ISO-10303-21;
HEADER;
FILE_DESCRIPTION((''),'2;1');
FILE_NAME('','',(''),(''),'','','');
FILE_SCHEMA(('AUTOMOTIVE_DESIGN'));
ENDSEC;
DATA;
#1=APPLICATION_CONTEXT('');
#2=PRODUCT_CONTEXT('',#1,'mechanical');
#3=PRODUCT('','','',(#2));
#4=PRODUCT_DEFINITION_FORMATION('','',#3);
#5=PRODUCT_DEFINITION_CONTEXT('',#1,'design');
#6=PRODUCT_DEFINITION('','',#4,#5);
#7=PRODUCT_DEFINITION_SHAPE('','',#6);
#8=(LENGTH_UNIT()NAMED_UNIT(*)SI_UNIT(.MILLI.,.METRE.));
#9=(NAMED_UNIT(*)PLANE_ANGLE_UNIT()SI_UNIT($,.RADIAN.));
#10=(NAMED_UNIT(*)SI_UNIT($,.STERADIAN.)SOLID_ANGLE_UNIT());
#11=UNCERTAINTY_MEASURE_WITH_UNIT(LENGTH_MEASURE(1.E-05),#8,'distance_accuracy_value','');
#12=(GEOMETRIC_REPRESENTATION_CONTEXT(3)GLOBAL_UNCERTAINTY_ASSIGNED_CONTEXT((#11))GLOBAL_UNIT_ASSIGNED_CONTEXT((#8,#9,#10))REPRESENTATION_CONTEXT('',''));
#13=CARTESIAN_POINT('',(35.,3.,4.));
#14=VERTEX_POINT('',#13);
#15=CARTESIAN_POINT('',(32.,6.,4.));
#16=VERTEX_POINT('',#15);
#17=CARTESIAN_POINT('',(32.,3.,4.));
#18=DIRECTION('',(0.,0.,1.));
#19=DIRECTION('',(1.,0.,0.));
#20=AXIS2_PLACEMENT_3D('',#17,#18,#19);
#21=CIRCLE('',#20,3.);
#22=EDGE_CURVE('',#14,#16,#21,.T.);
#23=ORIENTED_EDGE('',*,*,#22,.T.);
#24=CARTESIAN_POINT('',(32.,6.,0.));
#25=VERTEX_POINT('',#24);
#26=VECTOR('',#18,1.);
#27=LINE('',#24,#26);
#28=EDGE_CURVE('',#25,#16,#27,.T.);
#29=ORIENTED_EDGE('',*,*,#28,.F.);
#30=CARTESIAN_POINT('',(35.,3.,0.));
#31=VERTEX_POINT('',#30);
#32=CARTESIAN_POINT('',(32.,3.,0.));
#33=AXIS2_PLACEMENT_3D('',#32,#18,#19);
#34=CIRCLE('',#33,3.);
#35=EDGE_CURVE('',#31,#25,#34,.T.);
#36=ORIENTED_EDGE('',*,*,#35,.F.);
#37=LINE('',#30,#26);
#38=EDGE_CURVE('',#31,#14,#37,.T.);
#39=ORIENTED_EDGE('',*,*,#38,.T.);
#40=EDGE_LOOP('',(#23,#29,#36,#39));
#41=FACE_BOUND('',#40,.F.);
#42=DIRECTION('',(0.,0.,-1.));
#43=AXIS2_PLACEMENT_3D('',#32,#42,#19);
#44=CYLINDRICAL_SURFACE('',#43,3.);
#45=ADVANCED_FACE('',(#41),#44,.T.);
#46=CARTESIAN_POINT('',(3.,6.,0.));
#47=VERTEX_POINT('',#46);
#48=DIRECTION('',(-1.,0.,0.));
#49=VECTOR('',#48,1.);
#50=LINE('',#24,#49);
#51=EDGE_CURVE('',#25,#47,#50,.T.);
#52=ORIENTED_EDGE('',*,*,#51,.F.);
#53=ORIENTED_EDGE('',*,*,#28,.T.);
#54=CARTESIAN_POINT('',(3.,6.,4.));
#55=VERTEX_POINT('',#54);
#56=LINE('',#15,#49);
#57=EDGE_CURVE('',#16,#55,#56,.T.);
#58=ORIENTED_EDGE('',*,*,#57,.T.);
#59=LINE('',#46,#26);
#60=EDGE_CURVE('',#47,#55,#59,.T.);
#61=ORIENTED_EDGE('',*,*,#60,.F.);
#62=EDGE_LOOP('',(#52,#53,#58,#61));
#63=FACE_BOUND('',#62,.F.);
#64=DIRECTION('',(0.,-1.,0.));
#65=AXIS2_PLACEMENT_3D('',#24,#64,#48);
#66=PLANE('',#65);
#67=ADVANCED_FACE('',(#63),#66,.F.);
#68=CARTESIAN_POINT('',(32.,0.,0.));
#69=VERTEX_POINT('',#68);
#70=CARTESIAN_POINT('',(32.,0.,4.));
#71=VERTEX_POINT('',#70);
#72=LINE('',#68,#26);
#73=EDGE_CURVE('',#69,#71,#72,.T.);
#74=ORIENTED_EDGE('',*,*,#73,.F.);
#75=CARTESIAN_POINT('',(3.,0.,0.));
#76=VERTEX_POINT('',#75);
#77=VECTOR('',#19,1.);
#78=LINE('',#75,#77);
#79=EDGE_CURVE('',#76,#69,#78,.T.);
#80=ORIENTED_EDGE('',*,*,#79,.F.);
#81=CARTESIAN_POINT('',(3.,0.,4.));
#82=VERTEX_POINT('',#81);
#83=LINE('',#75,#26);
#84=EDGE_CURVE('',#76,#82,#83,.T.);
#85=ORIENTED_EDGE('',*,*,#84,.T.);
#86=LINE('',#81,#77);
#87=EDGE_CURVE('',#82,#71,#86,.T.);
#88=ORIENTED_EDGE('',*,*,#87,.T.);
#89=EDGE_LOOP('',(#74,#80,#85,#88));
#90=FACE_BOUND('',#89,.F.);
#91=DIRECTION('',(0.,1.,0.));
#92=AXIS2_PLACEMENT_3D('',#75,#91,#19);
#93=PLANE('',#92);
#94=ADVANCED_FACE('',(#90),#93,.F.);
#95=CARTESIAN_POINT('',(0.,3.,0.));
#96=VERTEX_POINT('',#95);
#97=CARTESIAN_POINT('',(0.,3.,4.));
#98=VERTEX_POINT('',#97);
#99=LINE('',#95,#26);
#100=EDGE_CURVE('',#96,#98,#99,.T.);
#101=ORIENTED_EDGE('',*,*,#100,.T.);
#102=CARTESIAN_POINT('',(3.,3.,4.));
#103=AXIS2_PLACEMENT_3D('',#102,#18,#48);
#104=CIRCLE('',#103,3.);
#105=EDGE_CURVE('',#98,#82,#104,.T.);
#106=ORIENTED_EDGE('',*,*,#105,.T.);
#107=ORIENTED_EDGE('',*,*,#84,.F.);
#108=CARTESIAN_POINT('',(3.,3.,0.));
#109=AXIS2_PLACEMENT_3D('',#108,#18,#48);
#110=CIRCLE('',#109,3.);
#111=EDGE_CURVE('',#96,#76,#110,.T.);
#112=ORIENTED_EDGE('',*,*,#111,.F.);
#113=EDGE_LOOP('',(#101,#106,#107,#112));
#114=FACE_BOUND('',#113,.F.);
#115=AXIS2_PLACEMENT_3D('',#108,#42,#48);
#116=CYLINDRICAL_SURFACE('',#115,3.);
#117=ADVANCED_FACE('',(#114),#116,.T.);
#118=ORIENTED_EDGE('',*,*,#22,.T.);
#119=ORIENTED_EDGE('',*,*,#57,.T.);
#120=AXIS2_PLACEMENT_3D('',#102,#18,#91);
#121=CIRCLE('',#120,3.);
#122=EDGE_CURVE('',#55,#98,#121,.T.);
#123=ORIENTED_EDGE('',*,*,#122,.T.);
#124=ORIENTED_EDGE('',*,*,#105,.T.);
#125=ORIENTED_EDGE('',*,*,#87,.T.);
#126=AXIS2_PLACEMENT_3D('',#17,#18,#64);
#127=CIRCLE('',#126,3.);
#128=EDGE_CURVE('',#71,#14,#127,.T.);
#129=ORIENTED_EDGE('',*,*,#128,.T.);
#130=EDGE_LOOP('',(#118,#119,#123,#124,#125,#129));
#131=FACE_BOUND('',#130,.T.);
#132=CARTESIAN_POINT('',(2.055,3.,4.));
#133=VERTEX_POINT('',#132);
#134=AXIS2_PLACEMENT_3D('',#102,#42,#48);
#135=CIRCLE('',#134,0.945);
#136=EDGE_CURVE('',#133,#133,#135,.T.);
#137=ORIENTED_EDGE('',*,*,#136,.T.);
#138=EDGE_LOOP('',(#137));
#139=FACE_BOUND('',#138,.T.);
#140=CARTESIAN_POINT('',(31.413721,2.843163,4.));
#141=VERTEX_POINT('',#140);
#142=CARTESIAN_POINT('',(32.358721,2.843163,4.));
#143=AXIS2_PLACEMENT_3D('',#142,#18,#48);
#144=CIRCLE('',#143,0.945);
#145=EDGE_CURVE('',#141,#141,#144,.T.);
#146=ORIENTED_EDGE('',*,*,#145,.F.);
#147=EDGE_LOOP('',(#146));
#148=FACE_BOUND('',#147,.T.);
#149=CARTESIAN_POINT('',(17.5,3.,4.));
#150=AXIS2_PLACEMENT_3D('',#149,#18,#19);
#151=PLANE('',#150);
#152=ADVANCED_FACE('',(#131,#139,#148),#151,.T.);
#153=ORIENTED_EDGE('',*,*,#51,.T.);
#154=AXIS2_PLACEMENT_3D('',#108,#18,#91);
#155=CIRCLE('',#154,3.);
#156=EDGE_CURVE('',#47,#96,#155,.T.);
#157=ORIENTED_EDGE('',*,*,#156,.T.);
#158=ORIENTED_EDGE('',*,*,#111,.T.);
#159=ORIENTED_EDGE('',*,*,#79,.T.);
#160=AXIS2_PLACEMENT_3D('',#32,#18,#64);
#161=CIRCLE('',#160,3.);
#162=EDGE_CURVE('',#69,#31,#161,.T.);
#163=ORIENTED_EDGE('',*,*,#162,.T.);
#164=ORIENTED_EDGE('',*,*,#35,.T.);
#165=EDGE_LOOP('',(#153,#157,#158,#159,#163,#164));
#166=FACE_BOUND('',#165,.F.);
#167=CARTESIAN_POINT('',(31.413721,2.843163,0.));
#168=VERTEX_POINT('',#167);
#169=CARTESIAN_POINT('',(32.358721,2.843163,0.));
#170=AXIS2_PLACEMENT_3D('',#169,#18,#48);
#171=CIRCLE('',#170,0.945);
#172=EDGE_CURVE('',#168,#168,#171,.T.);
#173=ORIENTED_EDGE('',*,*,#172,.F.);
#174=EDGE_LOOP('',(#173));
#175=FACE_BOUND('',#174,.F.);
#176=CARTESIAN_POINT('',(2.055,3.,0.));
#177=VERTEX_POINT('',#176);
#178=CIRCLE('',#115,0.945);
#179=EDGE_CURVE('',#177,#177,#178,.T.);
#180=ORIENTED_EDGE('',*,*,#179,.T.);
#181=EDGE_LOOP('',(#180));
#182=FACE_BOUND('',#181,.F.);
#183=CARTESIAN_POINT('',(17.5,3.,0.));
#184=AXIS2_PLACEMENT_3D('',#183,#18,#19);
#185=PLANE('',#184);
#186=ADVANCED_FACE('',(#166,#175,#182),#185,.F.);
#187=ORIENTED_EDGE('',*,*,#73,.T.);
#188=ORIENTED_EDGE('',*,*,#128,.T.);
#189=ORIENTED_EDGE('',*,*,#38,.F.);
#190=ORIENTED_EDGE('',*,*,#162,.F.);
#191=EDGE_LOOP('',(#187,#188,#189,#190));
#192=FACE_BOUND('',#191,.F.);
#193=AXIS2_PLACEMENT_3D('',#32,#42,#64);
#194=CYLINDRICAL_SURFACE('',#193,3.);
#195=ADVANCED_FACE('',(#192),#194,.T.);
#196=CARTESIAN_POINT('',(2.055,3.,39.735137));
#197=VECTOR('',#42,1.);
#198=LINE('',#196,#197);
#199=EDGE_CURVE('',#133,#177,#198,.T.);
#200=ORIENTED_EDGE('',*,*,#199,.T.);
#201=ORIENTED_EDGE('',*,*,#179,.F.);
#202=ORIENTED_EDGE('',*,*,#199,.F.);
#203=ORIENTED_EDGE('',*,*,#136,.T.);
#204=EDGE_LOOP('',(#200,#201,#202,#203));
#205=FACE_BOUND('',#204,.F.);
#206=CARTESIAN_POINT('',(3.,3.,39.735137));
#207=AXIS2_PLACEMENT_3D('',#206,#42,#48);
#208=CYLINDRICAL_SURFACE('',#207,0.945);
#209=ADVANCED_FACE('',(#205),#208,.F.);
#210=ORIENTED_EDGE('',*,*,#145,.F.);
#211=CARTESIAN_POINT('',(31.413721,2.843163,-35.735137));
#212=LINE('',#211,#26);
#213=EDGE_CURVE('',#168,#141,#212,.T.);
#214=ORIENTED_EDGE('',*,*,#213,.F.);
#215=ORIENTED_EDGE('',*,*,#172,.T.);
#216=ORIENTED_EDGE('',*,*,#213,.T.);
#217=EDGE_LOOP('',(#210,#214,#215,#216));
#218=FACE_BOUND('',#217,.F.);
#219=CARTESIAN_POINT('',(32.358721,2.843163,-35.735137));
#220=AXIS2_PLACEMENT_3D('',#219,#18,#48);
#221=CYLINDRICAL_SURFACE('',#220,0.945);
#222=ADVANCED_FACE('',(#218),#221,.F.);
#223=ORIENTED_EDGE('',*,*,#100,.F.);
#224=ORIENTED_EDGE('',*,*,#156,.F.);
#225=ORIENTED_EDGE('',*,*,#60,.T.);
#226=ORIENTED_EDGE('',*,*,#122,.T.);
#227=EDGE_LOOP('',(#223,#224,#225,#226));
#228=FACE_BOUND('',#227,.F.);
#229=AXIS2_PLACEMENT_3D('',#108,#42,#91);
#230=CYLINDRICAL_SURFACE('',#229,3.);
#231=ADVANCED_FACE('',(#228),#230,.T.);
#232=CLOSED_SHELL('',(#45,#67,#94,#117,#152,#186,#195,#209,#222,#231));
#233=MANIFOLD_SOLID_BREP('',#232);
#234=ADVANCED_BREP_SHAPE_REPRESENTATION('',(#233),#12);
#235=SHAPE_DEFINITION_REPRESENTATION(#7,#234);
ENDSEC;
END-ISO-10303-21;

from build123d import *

# Parameters (mm, degrees)
F1_DEPTH = 4
F3_D     = 1.89
F5_D     = 1.89


with BuildPart() as f1:
    # F0 (on Top) → F1 (new body)
    with BuildSketch(Plane.XY):
        with BuildLine():
            ThreePointArc((0, 3), (0.8786796564, 0.8786796564), (3, 0))
            Line((3, 0), (32, 0))
            ThreePointArc((32, 0), (34.1213203436, 0.8786796564), (35, 3))
            ThreePointArc((35, 3), (34.1213203436, 5.1213203436), (32, 6))
            Line((32, 6), (3, 6))
            ThreePointArc((3, 6), (0.8786796564, 5.1213203436), (0, 3))
        make_face()
    extrude(amount=F1_DEPTH)

    # F3 (through all)
    with Locations(Plane.XY.offset(4)):
        with Locations((3, 3)):
            Hole(F3_D / 2)

    # F5 (through all)
    with Locations(Plane(origin=(0, 0, 0), x_dir=(1, 0, 0), z_dir=(0, 0, -1))):
        with Locations((32.3587208986, -2.8431627434)):
            Hole(F5_D / 2)


solid = f1.part
